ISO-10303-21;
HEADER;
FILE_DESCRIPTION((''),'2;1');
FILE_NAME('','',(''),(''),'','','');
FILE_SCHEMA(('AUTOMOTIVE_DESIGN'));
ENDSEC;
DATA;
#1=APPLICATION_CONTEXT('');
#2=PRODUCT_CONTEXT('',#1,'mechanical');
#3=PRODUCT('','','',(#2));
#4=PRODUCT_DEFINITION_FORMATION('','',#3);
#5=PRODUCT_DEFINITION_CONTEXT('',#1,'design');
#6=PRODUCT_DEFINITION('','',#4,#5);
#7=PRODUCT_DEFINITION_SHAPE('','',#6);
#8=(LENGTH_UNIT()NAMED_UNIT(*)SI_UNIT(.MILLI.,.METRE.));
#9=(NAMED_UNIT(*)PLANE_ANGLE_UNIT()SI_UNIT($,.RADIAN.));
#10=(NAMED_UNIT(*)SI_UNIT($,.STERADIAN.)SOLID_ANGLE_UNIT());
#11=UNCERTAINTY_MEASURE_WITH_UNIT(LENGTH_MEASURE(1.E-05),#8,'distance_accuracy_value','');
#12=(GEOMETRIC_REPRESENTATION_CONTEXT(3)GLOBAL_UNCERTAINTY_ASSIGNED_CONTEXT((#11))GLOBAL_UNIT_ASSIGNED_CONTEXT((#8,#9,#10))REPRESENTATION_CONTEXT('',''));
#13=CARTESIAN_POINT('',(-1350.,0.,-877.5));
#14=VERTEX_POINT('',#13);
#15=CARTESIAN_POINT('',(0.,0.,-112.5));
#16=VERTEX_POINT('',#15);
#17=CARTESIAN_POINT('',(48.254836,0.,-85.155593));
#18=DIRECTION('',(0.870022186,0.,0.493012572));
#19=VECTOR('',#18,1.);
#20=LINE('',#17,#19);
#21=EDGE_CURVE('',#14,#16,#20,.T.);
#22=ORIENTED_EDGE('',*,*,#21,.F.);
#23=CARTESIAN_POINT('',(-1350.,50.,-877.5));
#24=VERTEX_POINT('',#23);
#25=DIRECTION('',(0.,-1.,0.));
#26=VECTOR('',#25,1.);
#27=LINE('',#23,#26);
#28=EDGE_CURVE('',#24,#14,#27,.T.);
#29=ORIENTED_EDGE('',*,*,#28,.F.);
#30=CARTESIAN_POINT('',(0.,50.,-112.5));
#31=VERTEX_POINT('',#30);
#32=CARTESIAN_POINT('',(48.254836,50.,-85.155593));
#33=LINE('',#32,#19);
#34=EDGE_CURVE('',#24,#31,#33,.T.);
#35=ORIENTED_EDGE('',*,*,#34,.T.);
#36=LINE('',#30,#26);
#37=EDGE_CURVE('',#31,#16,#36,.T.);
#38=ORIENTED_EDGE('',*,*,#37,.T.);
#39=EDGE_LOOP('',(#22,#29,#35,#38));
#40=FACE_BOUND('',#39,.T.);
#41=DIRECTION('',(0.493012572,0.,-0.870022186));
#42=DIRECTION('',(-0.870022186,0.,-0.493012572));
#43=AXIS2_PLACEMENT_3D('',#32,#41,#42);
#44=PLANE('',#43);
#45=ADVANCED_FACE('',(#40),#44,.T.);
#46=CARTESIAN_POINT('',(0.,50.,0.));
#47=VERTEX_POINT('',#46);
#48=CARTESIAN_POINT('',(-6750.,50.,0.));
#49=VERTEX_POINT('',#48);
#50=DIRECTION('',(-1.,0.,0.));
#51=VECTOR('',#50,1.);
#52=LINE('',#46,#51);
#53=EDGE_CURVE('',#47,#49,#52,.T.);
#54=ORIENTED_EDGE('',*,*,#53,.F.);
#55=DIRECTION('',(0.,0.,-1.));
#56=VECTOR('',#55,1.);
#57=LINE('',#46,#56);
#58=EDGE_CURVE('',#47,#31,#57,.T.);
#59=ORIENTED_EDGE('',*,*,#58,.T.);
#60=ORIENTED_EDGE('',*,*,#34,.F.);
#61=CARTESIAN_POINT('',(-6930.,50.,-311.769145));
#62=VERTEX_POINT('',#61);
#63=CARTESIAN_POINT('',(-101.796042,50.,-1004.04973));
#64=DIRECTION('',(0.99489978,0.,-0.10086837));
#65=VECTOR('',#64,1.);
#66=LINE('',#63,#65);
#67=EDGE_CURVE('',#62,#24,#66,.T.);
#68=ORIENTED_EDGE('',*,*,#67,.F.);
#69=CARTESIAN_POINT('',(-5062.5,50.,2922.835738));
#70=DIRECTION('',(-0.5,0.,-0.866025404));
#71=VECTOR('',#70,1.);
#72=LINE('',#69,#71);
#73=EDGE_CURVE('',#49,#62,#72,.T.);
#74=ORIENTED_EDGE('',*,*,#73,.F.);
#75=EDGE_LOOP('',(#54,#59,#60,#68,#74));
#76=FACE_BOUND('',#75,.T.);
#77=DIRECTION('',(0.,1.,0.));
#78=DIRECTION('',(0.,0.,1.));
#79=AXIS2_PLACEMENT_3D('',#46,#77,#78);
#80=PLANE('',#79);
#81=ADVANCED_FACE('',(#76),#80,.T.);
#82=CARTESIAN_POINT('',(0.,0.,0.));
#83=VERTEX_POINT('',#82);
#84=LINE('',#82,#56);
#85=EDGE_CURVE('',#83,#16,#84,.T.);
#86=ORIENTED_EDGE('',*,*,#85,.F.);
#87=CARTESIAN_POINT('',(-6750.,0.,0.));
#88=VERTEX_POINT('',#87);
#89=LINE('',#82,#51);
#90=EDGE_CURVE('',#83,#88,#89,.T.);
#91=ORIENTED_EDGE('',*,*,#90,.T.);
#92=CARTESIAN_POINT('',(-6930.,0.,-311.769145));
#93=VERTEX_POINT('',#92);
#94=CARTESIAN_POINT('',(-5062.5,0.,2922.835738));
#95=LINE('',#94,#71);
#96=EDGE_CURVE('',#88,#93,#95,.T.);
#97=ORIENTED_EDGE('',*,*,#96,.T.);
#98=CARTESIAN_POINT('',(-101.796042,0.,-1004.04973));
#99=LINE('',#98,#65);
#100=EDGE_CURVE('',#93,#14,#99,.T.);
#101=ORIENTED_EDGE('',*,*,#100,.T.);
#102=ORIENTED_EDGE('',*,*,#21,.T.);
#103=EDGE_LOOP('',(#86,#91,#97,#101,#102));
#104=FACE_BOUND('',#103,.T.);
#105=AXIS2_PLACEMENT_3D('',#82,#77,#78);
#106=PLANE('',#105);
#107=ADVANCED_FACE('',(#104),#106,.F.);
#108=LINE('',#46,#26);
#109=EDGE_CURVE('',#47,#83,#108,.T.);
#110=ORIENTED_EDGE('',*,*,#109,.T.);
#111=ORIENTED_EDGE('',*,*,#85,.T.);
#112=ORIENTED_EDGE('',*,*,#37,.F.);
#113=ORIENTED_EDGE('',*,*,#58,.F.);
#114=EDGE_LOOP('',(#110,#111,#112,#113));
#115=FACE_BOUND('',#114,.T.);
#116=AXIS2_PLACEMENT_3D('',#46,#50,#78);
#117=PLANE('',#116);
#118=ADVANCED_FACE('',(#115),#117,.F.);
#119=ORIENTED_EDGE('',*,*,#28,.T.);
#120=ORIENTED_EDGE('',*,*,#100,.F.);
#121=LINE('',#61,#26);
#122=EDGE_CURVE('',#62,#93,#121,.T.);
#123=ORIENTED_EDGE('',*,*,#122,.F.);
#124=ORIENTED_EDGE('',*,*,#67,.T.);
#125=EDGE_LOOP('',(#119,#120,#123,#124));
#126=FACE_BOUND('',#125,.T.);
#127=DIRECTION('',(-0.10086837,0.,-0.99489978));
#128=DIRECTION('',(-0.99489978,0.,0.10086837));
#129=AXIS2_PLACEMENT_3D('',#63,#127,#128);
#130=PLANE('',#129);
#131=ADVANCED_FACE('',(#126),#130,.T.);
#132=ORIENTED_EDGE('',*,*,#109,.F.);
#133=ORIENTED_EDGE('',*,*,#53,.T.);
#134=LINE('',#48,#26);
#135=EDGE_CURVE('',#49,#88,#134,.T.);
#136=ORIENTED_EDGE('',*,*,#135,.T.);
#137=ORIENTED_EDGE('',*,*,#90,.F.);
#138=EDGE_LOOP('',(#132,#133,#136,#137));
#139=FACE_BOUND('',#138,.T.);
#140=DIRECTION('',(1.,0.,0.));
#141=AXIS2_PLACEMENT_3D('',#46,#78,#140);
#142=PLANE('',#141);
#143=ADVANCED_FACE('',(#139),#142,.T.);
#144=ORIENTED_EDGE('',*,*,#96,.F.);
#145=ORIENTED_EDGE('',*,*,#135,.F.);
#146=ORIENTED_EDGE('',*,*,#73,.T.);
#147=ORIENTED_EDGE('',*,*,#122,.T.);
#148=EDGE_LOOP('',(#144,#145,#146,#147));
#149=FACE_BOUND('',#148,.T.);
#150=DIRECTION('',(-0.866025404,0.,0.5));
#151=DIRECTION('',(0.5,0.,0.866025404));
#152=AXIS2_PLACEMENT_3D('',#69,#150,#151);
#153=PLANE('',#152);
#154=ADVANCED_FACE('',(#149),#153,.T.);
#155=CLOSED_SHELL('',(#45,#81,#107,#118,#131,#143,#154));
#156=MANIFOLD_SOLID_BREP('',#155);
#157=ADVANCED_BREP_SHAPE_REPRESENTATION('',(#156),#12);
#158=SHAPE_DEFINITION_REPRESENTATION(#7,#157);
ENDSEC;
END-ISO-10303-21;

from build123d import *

# Parameters (mm, degrees)
BOSS_EXTRUDE1_DEPTH = 50


with BuildPart() as part:
    # Sketch1 → Boss-Extrude1 (new body)
    with BuildSketch(Plane(origin=(0, 0, 0), x_dir=(1, 0, 0), z_dir=(0, 1, 0))):
        Polygon((-1350, 0), (0, 0), (0, 112.5), (-1350, 877.5), align=None)
        Polygon((-6750, 0), (-1350, 0), (-1350, 877.5), (-6930, 311.769145362), align=None)
    extrude(amount=BOSS_EXTRUDE1_DEPTH)


solid = part.part
